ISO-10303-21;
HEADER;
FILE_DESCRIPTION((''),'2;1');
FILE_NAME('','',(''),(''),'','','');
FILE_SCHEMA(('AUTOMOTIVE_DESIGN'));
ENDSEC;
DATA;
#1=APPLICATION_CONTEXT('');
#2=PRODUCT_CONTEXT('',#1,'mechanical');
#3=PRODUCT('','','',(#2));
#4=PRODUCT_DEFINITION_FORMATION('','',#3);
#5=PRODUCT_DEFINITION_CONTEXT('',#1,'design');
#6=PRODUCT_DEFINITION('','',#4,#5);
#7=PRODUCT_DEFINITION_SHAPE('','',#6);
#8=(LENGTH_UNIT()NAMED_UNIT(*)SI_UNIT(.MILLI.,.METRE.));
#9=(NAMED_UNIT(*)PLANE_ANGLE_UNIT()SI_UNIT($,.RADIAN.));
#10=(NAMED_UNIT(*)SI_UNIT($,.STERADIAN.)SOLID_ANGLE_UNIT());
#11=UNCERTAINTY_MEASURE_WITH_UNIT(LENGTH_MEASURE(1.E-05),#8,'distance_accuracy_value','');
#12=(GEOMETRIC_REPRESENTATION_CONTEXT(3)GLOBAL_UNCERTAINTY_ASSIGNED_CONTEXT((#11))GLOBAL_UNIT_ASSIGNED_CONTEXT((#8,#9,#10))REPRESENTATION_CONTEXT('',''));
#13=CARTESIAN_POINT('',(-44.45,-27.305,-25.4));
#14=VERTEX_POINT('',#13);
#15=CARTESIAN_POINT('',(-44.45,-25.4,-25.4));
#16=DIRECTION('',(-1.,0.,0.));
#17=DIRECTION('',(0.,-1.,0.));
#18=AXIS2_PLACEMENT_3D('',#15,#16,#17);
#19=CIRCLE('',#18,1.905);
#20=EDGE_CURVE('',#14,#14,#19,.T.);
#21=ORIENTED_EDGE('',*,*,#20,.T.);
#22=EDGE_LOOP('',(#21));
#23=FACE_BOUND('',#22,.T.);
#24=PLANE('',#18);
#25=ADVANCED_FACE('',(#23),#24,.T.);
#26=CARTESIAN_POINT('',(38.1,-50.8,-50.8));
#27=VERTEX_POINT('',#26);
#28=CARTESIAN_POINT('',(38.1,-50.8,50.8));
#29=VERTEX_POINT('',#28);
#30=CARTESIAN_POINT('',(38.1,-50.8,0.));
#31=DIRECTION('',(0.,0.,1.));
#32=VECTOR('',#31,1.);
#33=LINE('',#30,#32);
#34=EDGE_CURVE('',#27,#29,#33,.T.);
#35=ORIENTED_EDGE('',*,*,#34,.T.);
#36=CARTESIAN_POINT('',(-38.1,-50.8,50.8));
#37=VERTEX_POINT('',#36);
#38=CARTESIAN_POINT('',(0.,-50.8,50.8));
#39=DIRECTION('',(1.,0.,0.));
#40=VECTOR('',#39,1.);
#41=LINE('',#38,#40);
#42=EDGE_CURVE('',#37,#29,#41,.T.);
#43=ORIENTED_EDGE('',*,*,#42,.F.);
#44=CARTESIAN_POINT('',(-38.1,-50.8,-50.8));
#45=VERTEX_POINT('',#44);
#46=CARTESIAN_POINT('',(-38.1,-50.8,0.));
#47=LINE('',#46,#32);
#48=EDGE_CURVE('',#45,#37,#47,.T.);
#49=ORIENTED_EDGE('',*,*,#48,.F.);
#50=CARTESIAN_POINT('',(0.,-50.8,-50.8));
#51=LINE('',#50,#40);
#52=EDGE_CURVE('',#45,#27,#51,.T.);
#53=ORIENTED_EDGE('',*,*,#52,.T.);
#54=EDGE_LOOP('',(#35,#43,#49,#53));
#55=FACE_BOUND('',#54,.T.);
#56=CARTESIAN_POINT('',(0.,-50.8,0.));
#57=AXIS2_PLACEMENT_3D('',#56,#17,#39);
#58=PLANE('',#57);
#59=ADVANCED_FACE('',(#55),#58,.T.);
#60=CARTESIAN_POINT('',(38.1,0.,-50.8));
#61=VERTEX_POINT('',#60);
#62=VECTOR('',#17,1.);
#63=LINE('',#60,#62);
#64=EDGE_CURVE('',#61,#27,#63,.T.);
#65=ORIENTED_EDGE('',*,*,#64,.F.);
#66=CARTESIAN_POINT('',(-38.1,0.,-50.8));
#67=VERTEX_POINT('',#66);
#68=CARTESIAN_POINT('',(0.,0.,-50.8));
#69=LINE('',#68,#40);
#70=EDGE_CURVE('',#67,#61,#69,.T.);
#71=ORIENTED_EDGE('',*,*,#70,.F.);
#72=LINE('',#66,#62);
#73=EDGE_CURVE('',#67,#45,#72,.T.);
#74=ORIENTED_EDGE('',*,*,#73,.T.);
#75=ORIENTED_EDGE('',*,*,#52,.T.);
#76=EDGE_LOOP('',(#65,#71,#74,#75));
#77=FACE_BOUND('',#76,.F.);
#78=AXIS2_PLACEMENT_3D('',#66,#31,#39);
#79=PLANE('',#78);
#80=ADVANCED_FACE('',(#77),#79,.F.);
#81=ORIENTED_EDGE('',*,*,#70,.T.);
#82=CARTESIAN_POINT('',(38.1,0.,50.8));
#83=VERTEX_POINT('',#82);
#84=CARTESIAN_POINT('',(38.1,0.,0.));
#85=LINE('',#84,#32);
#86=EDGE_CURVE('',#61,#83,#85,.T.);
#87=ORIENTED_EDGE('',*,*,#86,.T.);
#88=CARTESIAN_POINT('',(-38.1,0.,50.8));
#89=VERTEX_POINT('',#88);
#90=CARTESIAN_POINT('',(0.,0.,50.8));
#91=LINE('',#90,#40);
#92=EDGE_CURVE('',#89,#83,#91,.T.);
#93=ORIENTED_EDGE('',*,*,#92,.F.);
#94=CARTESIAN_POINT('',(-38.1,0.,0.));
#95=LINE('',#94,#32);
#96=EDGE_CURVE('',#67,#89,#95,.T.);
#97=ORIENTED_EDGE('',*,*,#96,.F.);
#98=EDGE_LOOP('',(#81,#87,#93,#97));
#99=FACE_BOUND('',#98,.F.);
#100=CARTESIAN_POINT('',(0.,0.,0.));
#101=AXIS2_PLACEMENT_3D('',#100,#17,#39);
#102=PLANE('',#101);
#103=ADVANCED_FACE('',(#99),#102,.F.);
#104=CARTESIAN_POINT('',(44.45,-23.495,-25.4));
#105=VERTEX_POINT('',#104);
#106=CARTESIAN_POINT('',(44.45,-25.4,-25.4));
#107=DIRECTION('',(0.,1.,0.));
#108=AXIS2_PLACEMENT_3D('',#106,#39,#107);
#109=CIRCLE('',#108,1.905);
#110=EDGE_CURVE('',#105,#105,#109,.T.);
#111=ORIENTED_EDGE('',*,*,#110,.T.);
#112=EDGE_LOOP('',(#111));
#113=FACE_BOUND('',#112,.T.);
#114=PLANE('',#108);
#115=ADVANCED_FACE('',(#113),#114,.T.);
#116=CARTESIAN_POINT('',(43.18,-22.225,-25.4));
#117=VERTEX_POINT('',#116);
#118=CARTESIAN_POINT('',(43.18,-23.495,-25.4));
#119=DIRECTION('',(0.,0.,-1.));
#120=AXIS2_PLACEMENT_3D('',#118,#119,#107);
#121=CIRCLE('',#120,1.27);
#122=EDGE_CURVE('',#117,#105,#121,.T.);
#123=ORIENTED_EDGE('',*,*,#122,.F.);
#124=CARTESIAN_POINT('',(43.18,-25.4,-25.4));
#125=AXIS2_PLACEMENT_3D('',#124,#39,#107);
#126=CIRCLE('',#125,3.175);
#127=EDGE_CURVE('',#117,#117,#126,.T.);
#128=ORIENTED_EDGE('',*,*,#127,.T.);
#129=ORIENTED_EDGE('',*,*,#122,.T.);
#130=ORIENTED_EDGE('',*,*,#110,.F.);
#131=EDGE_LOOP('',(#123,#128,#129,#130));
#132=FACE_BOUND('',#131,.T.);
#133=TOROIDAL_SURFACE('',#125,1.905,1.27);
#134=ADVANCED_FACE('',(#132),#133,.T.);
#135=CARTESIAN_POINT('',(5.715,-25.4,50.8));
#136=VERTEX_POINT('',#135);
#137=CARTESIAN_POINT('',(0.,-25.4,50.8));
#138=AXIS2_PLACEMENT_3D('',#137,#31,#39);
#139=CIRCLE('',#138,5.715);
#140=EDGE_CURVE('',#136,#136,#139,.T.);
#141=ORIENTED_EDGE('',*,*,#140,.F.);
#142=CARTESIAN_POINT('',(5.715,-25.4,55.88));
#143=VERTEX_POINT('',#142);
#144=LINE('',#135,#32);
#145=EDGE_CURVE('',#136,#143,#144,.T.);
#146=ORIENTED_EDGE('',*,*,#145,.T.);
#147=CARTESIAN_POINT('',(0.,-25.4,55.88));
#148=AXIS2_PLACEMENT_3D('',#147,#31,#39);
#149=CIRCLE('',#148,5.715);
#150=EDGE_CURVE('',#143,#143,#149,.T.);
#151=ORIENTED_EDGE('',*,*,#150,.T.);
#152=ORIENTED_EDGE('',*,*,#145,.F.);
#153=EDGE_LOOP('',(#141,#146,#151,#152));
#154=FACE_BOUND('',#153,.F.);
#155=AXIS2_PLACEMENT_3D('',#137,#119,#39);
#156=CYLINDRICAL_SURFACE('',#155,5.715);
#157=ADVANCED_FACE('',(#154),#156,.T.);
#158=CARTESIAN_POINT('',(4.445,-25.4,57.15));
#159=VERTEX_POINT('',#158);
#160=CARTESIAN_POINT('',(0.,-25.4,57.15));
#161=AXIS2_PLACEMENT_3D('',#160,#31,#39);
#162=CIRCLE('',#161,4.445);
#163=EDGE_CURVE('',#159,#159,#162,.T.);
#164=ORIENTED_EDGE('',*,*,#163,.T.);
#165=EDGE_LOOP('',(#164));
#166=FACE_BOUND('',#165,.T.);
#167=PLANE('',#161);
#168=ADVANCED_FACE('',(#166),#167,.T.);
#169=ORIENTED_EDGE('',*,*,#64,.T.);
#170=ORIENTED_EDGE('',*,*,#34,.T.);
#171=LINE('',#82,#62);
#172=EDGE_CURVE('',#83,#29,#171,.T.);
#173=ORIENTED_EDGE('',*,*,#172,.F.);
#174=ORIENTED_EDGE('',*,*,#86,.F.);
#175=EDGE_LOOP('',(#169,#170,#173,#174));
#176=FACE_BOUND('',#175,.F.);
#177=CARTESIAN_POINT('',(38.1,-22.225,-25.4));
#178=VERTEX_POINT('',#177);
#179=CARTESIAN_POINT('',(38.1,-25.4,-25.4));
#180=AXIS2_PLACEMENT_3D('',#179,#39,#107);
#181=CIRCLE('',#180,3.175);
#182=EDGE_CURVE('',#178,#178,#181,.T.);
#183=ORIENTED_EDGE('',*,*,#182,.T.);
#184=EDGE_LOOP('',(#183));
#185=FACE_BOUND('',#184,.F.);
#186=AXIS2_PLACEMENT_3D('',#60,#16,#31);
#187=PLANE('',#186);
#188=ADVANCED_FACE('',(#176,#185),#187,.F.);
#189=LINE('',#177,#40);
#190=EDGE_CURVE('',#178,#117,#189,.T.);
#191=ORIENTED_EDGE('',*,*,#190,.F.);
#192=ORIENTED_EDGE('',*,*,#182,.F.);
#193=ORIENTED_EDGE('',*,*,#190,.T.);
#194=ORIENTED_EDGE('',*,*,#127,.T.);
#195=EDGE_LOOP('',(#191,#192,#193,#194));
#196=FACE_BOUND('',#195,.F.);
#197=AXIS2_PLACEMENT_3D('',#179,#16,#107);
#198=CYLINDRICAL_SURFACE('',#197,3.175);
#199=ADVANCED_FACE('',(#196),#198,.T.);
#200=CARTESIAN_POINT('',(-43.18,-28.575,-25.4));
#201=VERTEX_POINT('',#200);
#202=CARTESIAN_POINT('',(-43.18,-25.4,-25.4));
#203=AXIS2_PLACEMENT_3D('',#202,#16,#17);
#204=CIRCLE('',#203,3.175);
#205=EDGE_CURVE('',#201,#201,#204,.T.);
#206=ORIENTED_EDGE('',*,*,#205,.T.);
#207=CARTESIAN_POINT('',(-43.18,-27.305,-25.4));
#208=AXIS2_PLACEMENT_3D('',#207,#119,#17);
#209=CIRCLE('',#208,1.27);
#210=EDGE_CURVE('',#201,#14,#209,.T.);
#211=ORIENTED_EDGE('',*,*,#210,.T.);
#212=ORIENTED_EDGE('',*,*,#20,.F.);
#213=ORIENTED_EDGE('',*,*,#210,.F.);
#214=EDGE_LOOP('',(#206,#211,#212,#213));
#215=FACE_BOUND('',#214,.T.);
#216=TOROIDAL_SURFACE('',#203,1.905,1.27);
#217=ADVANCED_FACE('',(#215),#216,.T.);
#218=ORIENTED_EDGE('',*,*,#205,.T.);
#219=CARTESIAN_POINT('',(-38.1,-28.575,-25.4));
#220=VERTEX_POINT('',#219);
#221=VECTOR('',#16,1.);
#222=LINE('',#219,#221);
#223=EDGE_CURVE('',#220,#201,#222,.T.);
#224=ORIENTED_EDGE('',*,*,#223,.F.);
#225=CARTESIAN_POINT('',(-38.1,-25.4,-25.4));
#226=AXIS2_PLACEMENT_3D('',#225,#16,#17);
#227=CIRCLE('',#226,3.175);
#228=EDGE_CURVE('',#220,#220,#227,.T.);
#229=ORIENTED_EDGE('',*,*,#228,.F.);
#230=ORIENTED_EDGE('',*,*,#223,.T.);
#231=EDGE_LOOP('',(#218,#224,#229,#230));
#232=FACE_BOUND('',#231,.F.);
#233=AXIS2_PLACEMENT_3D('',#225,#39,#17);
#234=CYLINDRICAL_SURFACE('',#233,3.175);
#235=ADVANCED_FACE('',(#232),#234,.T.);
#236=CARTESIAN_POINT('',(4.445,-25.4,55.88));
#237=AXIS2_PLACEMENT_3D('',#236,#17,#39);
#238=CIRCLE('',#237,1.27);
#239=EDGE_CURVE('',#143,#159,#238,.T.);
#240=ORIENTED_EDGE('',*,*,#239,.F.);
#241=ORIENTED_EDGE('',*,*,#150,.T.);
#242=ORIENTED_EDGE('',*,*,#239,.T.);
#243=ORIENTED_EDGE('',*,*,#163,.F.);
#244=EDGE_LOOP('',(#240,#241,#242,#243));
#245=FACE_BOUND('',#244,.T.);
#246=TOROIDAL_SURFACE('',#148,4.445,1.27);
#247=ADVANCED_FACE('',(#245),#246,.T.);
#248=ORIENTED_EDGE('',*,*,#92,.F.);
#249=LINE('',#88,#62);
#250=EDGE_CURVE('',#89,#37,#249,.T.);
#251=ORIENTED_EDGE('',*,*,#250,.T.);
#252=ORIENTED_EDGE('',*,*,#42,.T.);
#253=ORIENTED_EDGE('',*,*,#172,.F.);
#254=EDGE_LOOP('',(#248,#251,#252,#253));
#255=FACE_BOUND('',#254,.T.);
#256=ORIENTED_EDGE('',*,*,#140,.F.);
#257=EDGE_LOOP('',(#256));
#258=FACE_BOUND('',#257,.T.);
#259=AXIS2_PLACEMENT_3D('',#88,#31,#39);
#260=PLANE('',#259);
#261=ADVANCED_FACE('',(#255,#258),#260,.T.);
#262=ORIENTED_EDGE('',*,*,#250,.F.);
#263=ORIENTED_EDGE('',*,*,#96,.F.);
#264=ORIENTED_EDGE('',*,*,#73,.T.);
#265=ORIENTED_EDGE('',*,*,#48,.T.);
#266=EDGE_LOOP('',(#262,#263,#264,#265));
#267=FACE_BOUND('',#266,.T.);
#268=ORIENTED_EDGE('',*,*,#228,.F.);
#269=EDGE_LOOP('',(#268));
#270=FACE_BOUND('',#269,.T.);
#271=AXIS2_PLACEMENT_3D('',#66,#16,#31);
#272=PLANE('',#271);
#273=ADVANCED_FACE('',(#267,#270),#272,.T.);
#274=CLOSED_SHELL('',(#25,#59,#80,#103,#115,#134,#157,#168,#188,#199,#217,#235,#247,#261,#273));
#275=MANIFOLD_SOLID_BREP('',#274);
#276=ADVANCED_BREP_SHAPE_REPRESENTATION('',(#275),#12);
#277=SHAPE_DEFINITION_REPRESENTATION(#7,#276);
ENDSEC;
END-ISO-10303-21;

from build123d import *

# Parameters (mm, degrees)
F0_W     = 76.2
F0_H     = 101.6
F1_DEPTH = 50.8
F3_R     = 3.175
F5_DEPTH = 6.35
F2_R     = 3.175
F6_DEPTH = 6.35
F4_R     = 5.715
F7_DEPTH = 6.35
F8_R     = 1.27


with BuildPart() as f1:
    # F0 (on Front) → F1 (new body)
    with BuildSketch(Plane.XZ):
        Rectangle(F0_W, F0_H)
    extrude(amount=F1_DEPTH)

    # F3 (on face) → F5 (join)
    with BuildSketch(Plane(origin=(-38.1, 0, 0), x_dir=(0, -1, 0), z_dir=(-1, 0, 0))):
        with Locations((25.4, -25.4)):
            Circle(F3_R)
    extrude(amount=F5_DEPTH)

    # F2 (on face) → F6 (join)
    with BuildSketch(Plane.YZ.offset(38.1)):
        with Locations((-25.4, -25.4)):
            Circle(F2_R)
    extrude(amount=F6_DEPTH)

    # F4 (on face) → F7 (join)
    with BuildSketch(Plane.XY.offset(50.8)):
        with Locations((0, -25.4)):
            Circle(F4_R)
    extrude(amount=F7_DEPTH)

    # F8
    f8_edges = [f1.edges().sort_by_distance(p)[0] for p in [
        (44.45, -28.575, -25.4),
        (-5.715, -25.4, 57.15),
        (-44.45, -22.225, -25.4),
    ]]
    fillet(f8_edges, radius=F8_R)


solid = f1.part
